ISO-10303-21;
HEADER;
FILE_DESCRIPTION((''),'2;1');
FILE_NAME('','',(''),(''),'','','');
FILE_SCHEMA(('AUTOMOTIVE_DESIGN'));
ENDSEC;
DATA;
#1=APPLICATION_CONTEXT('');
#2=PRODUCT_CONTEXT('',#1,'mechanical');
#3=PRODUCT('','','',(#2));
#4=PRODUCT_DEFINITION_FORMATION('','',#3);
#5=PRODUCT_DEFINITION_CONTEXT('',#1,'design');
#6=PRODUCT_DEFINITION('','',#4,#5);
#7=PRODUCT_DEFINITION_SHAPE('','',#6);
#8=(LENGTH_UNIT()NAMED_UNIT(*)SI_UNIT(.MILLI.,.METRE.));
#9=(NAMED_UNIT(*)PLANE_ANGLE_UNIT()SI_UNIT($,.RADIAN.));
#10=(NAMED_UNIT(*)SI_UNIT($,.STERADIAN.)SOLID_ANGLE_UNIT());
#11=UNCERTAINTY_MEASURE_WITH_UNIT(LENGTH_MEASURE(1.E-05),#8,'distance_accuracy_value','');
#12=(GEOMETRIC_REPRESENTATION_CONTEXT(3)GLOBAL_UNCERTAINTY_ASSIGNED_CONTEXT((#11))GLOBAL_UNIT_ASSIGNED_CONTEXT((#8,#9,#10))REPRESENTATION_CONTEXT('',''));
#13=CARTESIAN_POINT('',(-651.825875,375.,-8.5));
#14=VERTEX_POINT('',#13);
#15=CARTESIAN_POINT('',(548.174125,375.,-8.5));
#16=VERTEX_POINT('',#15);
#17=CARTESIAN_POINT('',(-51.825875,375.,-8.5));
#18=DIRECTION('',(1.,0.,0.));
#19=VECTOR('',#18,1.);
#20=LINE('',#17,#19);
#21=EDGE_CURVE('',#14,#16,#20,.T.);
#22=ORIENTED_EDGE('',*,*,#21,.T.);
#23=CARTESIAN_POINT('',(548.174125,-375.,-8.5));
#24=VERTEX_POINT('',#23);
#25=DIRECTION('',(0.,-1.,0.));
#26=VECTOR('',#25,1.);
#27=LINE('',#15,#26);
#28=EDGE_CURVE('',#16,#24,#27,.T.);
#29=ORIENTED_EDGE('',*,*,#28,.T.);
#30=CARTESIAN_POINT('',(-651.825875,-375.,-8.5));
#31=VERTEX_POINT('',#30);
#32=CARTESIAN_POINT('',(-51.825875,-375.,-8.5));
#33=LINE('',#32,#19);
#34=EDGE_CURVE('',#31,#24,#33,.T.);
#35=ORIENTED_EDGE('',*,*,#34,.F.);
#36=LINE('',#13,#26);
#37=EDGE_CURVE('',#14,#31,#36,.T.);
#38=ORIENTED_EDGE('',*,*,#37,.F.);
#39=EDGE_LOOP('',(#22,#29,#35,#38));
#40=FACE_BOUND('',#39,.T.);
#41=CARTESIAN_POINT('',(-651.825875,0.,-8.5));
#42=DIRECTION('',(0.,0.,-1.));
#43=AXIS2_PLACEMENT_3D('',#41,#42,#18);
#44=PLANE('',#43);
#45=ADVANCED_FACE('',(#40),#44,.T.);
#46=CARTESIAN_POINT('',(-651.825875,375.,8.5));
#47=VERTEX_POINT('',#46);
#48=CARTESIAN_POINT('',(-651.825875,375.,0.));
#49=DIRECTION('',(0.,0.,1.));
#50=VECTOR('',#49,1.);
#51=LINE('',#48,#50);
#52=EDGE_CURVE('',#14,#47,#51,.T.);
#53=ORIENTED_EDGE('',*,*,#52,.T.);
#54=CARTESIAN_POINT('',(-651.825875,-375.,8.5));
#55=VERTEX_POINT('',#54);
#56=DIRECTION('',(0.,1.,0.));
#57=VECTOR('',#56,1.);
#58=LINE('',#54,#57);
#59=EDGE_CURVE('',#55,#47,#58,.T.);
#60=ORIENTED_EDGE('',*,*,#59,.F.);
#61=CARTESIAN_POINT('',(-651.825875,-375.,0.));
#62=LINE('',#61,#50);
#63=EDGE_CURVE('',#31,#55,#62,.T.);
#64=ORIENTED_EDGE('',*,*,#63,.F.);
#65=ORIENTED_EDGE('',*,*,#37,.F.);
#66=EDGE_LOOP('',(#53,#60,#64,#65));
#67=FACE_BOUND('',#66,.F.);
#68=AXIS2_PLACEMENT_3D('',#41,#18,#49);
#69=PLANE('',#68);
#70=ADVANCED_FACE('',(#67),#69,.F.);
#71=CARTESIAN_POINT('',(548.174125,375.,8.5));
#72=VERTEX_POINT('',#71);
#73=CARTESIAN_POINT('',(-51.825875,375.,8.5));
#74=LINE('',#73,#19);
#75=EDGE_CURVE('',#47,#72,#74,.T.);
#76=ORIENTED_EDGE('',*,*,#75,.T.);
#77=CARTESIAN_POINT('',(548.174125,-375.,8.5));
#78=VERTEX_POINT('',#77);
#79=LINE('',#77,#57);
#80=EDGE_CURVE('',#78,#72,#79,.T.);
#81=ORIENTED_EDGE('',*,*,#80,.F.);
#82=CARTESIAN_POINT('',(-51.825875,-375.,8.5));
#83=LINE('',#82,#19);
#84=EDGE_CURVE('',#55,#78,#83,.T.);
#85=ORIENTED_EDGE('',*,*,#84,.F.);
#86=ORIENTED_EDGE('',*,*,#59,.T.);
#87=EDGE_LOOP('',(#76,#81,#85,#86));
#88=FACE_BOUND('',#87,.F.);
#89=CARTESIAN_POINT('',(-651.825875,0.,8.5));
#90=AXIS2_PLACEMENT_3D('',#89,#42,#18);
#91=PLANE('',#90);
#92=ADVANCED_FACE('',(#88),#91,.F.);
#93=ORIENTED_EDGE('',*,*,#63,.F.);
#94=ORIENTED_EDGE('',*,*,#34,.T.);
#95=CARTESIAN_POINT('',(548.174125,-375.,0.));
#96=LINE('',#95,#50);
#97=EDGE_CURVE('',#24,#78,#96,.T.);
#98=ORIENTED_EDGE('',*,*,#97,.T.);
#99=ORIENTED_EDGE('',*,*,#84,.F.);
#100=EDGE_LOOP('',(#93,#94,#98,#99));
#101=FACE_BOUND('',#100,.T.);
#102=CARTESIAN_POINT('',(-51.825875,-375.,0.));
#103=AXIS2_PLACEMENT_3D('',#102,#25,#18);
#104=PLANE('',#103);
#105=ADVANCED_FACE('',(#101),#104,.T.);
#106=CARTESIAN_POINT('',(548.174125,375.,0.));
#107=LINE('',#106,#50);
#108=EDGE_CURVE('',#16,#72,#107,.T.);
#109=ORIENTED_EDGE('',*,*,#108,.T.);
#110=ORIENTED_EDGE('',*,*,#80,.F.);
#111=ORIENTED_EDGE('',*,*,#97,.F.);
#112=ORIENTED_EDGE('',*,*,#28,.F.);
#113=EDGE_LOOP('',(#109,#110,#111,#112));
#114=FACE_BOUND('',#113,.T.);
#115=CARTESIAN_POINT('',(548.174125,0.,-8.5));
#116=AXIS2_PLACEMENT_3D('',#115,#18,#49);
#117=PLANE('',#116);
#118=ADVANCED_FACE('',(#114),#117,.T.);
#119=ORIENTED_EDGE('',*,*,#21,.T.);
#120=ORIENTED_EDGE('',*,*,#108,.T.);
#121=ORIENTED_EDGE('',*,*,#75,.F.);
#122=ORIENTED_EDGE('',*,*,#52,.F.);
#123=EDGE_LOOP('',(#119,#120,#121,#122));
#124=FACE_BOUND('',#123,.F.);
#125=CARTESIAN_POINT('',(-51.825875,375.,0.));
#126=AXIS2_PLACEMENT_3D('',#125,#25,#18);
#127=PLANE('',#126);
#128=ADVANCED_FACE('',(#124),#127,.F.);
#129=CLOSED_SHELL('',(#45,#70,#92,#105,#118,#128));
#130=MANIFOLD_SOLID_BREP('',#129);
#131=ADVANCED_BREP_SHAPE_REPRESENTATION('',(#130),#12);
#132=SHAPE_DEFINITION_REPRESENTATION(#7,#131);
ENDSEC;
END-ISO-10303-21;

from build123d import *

# Parameters (mm, degrees)
F0_W     = 1200
F0_H     = 17
F1_DEPTH = 375
F2_W     = 45
F2_H     = 90
F3_DEPTH = 848
F5_W     = 45
F5_H     = 90
F6_DEPTH = 1800


with BuildPart() as f1:
    # F0 (on Front) → F1 (new body, symmetric)
    with BuildSketch(Plane.XZ):
        with Locations((-51.825875, 0)):
            Rectangle(F0_W, F0_H)
    extrude(amount=F1_DEPTH, both=True)


with BuildPart() as f3:
    # F2 (on Right) → F3 (new body, symmetric)
    with BuildSketch(Plane.YZ):
        with Locations((-351.989888, -54.616934)):
            Rectangle(F2_W, F2_H)
    extrude(amount=F3_DEPTH, both=True)


with BuildPart() as f6:
    # F5 (on face) → F6 (new body)
    with BuildSketch(Plane.YZ.offset(548.174125)):
        with Locations((-352.5, -53.6)):
            Rectangle(F5_W, F5_H)
    extrude(amount=-F6_DEPTH)


solid = f1.part
